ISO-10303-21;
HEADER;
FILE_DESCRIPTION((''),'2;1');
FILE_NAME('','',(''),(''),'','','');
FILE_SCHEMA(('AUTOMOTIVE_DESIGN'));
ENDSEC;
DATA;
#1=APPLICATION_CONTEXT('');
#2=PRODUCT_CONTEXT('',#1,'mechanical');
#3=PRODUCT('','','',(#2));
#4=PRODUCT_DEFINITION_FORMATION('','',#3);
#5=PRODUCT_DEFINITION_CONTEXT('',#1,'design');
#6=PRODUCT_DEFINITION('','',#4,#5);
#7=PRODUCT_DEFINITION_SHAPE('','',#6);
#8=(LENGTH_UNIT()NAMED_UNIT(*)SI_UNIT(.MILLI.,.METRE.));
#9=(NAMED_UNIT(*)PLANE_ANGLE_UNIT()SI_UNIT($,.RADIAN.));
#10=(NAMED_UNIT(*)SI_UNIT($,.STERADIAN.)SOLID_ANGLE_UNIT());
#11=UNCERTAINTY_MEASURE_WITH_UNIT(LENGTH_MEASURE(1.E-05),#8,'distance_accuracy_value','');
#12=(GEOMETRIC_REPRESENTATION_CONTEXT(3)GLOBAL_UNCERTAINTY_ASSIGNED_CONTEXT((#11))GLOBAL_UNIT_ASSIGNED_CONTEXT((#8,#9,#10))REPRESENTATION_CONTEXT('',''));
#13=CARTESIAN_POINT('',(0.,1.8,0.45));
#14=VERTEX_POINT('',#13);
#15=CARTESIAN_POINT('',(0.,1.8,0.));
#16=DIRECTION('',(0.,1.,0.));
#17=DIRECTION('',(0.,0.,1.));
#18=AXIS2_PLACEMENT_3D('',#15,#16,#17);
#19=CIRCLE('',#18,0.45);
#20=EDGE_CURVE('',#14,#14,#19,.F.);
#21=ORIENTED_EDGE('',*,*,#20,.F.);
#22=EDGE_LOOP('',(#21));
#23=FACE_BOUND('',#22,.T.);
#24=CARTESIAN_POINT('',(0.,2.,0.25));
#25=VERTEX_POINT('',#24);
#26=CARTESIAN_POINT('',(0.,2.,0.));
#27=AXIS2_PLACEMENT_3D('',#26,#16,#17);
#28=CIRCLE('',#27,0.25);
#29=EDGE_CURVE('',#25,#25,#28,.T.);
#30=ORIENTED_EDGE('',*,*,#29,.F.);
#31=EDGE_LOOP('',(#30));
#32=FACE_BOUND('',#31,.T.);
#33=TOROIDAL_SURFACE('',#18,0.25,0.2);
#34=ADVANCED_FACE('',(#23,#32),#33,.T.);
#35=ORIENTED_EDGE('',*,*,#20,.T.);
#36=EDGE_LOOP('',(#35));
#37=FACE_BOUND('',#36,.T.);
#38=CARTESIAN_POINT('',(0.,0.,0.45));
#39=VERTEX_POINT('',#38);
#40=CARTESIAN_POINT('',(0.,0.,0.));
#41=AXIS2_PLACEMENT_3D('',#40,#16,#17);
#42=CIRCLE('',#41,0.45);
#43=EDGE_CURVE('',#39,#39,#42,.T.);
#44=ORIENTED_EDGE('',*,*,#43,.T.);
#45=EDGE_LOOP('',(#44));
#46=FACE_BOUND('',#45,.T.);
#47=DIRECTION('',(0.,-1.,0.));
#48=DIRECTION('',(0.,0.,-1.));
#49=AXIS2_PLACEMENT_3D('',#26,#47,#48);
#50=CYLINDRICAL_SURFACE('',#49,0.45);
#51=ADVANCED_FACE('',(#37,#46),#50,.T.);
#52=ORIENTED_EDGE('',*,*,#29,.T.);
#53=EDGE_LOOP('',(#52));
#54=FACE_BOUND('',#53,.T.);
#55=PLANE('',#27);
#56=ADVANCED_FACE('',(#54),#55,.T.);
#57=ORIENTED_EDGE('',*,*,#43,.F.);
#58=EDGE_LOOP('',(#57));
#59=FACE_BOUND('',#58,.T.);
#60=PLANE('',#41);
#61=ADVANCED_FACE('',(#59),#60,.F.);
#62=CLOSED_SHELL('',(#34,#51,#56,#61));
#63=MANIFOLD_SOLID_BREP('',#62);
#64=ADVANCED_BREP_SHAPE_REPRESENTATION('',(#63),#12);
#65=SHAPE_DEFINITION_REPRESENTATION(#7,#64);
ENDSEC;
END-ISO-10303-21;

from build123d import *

# Parameters (mm, degrees)
SKIZZE1_R                       = 0.45
AUFSATZ_LINEAR_AUSTRAGEN1_DEPTH = 2
VERRUNDUNG1_R                   = 0.2


with BuildPart() as part:
    # Skizze1 → Aufsatz-Linear austragen1 (new body)
    with BuildSketch(Plane(origin=(0, 0, 0), x_dir=(1, 0, 0), z_dir=(0, 1, 0))):
        with Locations(Location((0, 0, 0), (0, 0, 270))):
            Circle(SKIZZE1_R)
    extrude(amount=AUFSATZ_LINEAR_AUSTRAGEN1_DEPTH)

    # Verrundung1
    verrundung1_edges = [part.edges().sort_by_distance(p)[0] for p in [
        (0, 2, -0.45),
    ]]
    fillet(verrundung1_edges, radius=VERRUNDUNG1_R)


solid = part.part
